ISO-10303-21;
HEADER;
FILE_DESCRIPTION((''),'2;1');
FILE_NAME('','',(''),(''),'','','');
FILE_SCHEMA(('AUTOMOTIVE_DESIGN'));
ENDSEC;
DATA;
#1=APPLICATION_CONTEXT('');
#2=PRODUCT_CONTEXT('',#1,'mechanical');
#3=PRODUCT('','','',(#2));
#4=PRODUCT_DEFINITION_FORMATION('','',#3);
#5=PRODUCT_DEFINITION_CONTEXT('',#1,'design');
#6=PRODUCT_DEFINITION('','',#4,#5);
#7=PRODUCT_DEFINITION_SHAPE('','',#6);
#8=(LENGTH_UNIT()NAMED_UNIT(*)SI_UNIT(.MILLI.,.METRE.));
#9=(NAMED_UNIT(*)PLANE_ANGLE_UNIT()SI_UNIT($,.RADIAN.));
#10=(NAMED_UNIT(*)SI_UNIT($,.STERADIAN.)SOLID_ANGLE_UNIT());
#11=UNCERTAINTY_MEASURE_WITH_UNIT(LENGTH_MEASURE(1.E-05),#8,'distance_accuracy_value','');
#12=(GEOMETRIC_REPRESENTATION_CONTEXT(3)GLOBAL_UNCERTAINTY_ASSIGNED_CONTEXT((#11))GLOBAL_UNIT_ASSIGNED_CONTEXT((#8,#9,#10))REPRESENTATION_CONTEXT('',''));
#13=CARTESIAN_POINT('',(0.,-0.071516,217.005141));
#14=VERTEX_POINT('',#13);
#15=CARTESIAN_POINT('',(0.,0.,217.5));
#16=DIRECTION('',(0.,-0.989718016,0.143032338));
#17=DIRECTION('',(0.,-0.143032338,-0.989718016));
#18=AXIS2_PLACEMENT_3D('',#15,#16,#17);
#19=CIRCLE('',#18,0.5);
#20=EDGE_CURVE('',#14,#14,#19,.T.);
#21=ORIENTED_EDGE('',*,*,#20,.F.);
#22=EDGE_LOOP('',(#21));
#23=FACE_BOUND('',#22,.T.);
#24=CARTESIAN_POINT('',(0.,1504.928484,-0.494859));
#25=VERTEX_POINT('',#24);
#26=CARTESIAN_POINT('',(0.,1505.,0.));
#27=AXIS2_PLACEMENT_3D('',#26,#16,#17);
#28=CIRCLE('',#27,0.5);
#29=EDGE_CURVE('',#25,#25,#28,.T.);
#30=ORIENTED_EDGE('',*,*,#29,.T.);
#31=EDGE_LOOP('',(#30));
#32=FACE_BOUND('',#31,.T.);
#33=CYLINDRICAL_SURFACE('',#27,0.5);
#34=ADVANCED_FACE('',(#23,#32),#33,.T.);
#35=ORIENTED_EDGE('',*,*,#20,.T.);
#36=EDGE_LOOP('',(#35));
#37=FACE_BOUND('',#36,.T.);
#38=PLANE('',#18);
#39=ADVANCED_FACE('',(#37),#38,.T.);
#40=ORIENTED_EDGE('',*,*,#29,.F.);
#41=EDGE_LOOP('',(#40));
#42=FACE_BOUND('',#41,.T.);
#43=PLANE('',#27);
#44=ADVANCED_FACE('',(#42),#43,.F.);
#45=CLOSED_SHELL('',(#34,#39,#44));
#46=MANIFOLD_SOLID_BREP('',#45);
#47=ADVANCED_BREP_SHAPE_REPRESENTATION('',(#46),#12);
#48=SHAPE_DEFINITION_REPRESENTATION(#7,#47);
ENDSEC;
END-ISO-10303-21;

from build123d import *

# Parameters (mm, degrees)
SWEEP_1_PROFILE_R = 0.5


with BuildPart() as part:
    # 扫描1: sweep along a path in 草图3
    with BuildLine(Plane(origin=(0, 0, 0), x_dir=(0, 0, -1), z_dir=(1, 0, 0))) as sweep_1_path:
        Line((0, 1505), (-217.5, 0))
    # 扫描1 profile (on start of the path) → 扫描1 (sweep)
    with BuildSketch(Plane(origin=(0, 1505, 0), x_dir=(0, -0.143032338, -0.989718016), z_dir=(0, -0.989718016, 0.143032338))):
        Circle(SWEEP_1_PROFILE_R)
    sweep(path=sweep_1_path.line)


solid = part.part
